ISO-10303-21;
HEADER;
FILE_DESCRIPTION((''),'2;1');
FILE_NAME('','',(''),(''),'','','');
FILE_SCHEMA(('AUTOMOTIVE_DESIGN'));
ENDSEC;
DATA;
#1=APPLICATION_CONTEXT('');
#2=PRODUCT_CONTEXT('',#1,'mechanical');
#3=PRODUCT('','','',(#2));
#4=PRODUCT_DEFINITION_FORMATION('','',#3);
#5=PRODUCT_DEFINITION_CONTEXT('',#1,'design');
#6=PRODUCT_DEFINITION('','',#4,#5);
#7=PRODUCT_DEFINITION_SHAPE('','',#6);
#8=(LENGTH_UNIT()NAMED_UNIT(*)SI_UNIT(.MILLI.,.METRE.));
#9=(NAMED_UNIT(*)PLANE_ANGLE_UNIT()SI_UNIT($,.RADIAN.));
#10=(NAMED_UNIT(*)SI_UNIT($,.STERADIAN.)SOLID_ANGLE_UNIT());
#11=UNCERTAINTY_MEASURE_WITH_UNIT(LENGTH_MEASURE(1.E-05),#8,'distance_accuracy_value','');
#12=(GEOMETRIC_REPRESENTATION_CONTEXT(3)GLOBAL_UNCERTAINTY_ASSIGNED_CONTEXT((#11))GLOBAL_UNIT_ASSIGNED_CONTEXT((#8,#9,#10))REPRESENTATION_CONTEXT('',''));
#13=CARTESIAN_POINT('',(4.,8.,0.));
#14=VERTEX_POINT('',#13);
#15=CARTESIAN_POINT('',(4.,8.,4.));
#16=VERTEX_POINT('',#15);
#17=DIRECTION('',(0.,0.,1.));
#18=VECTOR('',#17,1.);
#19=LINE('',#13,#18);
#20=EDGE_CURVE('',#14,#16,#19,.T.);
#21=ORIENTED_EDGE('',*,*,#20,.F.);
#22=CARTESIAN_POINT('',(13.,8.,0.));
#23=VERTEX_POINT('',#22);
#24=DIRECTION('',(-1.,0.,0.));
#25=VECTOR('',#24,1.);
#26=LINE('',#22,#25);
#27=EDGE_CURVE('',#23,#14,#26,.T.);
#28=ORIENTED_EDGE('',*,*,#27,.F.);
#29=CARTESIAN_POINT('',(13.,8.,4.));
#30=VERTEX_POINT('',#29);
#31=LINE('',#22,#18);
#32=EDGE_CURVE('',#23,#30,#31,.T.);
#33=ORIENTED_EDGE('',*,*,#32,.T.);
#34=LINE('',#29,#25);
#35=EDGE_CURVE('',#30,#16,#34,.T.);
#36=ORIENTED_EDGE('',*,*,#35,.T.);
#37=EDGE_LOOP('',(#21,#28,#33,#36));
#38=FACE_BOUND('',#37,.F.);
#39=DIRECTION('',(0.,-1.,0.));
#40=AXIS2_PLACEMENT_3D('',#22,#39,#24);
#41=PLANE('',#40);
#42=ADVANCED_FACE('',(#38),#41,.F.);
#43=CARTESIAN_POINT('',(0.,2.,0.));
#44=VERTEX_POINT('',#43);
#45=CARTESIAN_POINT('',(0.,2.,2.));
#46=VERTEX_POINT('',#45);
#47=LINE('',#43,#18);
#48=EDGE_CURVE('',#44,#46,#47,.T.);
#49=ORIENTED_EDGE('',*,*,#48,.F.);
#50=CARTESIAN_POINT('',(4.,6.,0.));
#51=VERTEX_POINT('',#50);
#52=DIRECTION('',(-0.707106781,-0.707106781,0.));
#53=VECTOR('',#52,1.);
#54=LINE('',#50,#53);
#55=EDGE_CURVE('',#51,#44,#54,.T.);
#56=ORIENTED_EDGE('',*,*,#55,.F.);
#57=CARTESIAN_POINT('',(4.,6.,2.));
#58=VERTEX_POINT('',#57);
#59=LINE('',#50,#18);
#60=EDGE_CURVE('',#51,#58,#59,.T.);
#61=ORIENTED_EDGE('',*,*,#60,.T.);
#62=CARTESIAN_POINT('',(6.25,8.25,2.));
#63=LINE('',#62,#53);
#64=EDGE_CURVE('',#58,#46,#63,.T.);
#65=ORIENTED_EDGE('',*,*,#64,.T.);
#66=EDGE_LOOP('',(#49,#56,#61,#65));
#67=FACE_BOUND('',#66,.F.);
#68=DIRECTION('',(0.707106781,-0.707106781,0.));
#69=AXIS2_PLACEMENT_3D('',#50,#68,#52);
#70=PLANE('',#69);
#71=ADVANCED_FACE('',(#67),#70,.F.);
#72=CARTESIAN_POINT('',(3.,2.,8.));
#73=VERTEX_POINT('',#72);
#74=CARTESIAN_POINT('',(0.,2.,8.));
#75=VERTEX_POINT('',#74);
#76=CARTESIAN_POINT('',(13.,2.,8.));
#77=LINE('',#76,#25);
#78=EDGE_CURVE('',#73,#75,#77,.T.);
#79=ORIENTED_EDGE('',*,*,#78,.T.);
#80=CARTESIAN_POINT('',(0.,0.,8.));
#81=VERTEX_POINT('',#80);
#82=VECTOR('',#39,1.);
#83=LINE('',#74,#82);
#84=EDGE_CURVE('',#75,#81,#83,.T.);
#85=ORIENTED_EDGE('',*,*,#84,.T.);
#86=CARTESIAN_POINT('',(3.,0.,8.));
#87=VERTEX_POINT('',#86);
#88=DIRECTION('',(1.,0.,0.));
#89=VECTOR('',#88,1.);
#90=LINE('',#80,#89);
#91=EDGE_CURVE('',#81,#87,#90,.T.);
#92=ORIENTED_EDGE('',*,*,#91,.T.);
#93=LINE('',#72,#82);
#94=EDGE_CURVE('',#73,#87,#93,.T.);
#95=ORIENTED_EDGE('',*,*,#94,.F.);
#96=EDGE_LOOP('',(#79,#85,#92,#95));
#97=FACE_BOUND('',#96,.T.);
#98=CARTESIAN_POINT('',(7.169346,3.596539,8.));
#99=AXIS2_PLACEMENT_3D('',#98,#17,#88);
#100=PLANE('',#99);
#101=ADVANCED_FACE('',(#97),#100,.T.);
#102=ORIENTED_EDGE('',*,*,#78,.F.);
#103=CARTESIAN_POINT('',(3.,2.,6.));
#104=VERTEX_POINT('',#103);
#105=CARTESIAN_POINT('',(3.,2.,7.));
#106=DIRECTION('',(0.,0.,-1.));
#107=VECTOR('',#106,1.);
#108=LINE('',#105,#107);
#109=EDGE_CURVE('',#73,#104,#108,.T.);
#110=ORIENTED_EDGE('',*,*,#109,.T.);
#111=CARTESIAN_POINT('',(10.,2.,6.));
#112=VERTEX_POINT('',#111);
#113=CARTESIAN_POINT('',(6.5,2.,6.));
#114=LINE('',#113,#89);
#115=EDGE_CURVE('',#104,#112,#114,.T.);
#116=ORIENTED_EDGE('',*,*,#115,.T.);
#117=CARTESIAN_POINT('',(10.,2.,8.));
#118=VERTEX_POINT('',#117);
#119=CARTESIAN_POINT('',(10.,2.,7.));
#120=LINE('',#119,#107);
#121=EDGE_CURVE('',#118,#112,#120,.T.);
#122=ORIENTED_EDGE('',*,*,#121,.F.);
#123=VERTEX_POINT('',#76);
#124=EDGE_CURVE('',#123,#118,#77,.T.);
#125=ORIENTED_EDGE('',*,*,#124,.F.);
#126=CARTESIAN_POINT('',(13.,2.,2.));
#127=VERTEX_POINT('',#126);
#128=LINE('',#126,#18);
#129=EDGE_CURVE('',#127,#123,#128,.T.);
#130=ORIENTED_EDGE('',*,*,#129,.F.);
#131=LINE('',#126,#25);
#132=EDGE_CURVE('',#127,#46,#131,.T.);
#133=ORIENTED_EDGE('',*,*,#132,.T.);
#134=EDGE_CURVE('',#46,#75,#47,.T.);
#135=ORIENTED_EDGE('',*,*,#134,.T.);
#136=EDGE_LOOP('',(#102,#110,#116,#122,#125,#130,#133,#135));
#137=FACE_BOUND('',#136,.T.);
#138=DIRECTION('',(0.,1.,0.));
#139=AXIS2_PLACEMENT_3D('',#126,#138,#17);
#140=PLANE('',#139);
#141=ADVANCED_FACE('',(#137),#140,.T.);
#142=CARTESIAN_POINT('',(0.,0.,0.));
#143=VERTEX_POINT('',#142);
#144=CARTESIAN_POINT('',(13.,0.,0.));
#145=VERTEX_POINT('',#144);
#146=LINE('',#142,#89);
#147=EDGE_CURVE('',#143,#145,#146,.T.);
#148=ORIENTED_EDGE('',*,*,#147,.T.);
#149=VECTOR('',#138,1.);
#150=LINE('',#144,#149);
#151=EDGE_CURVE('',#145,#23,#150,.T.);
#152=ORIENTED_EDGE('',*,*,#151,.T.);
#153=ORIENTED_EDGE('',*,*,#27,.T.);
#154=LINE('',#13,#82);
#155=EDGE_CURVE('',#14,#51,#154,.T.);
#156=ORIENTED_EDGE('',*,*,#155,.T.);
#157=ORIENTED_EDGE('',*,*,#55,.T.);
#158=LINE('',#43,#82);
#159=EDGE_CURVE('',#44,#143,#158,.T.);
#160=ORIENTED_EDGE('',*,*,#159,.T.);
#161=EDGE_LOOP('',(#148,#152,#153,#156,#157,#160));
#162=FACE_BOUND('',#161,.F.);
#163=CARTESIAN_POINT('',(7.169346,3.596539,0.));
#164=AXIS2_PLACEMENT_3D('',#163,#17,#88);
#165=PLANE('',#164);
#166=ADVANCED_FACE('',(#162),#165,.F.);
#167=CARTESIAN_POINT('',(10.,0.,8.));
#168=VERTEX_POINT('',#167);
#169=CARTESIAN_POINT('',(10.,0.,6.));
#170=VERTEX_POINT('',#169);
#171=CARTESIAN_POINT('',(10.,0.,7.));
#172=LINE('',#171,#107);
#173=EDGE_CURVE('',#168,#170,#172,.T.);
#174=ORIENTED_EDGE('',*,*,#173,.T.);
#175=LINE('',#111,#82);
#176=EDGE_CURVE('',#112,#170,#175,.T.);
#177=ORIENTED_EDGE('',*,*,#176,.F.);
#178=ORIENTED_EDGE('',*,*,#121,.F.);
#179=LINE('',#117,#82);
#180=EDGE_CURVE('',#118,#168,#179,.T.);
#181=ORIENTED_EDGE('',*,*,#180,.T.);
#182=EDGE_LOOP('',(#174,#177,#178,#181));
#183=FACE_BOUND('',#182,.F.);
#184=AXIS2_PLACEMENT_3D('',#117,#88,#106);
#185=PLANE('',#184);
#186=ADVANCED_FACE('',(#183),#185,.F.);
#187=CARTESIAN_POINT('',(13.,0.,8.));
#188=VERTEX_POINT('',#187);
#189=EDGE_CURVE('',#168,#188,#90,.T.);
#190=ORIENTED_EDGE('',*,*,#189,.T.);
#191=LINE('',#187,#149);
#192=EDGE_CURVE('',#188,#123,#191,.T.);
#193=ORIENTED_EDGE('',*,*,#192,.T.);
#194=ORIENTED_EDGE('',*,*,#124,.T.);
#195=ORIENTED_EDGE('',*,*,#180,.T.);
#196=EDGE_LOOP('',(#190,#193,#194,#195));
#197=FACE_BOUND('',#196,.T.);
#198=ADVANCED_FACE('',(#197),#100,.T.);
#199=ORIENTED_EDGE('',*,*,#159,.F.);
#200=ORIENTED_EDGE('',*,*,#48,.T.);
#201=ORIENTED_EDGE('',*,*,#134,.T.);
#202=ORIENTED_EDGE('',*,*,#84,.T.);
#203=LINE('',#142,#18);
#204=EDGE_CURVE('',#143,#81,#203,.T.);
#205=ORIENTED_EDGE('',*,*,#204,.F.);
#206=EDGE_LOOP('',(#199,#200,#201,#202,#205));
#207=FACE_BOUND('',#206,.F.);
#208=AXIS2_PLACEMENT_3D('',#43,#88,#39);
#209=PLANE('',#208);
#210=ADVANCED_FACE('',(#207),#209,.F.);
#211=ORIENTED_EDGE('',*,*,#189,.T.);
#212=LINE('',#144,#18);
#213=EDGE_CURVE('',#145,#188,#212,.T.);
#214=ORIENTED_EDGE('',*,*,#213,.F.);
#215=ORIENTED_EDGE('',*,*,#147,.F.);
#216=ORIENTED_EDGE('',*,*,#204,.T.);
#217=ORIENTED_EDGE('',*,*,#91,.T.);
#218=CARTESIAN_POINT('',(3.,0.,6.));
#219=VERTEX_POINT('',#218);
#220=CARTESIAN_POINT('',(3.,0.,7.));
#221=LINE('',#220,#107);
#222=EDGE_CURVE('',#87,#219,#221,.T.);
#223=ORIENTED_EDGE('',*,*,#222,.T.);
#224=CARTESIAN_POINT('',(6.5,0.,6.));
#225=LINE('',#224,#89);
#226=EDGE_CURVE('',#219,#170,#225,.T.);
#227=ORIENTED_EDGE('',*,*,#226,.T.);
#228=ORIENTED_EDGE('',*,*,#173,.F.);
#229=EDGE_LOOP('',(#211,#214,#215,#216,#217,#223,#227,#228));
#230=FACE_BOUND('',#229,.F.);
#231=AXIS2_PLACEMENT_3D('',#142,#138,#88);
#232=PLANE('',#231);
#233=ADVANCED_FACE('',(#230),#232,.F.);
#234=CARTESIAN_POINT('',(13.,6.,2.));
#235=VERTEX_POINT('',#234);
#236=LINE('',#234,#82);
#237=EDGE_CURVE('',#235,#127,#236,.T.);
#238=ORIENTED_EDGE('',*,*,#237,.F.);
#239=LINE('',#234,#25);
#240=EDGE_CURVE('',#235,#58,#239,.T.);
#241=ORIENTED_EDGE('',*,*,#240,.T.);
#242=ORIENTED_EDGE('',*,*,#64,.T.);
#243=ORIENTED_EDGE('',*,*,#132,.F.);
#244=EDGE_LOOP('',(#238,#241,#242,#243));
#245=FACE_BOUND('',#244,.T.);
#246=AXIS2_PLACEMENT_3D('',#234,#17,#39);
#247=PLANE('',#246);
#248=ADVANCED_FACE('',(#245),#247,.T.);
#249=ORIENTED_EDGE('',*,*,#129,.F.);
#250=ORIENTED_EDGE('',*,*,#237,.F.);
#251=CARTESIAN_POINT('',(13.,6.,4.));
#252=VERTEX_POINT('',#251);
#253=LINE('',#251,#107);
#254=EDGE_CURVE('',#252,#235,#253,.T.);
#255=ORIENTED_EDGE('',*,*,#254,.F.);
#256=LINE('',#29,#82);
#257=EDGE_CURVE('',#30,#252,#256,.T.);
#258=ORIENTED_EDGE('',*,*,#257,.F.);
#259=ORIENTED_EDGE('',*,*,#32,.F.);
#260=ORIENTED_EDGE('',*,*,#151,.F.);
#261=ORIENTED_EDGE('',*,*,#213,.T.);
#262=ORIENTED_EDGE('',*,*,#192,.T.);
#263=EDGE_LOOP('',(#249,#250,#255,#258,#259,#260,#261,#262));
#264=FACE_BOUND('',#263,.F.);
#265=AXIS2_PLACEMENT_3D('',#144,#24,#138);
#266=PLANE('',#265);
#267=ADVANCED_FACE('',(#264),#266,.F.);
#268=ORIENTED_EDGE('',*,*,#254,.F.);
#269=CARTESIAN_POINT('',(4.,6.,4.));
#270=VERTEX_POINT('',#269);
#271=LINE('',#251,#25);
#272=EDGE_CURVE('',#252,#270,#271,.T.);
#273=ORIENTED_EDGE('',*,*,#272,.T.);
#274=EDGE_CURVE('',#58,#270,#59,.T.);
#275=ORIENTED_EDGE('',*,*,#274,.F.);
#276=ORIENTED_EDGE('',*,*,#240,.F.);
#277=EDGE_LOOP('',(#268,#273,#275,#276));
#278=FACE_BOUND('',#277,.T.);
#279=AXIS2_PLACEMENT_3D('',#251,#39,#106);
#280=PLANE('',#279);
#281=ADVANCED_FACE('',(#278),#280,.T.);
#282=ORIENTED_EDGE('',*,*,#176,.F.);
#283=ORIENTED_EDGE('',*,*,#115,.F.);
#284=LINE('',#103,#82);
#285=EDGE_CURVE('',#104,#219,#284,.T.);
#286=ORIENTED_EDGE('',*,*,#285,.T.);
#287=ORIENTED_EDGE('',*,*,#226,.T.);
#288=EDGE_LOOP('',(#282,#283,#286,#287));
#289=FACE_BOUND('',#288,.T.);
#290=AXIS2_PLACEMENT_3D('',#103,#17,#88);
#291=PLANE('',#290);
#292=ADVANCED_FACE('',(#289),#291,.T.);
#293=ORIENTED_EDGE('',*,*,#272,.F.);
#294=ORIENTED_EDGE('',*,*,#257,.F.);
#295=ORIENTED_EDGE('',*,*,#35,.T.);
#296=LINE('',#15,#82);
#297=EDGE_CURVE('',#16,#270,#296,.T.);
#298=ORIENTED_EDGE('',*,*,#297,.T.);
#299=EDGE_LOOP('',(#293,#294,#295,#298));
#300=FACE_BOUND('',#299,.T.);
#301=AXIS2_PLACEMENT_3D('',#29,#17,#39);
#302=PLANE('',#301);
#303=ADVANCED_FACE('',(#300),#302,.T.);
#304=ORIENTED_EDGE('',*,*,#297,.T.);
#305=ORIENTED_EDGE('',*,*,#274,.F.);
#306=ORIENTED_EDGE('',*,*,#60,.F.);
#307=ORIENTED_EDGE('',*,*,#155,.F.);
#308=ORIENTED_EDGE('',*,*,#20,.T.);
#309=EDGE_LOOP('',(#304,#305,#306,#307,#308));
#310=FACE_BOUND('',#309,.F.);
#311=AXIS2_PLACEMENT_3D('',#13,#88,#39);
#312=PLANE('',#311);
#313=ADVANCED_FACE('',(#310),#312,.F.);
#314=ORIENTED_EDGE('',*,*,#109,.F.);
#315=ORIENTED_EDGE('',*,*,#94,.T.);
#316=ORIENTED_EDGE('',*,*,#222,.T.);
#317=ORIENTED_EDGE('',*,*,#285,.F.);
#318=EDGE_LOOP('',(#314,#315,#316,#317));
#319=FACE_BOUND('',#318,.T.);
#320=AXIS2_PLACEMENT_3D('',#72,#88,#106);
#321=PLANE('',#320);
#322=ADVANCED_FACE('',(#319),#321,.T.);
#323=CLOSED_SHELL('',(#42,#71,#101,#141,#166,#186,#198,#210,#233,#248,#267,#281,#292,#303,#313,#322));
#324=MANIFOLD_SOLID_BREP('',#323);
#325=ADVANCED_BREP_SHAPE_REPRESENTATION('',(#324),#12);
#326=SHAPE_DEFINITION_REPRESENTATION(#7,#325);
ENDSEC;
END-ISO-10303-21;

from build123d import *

# Parameters (mm, degrees)
BOSS_EXTRUDE1_DEPTH = 8
CUT_EXTRUDE1_DEPTH  = 18
SKETCH3_W           = 7
SKETCH3_H           = 2
CUT_EXTRUDE2_DEPTH  = 2


with BuildPart() as part:
    # Sketch1 → Boss-Extrude1 (new body)
    with BuildSketch(Plane.XY):
        Polygon((0, 0), (13, 0), (13, 8), (4, 8), (4, 6), (0, 2), align=None)
    extrude(amount=BOSS_EXTRUDE1_DEPTH)

    # Sketch2 → Cut-Extrude1 (cut)
    with BuildSketch(Plane(origin=(13, 0, 0), x_dir=(0, 0, -1), z_dir=(1, 0, 0))):
        Polygon((-8, 8), (-4, 8), (-4, 6), (-2, 6), (-2, 2), (-8, 2), (-8, 6), align=None)
    extrude(amount=-CUT_EXTRUDE1_DEPTH, mode=Mode.SUBTRACT)

    # Sketch3 → Cut-Extrude2 (cut)
    with BuildSketch(Plane(origin=(0, 2, 0), x_dir=(1, 0, 0), z_dir=(0, 1, 0))):
        with Locations((6.5, -7)):
            Rectangle(SKETCH3_W, SKETCH3_H)
    extrude(amount=-CUT_EXTRUDE2_DEPTH, mode=Mode.SUBTRACT)


solid = part.part
